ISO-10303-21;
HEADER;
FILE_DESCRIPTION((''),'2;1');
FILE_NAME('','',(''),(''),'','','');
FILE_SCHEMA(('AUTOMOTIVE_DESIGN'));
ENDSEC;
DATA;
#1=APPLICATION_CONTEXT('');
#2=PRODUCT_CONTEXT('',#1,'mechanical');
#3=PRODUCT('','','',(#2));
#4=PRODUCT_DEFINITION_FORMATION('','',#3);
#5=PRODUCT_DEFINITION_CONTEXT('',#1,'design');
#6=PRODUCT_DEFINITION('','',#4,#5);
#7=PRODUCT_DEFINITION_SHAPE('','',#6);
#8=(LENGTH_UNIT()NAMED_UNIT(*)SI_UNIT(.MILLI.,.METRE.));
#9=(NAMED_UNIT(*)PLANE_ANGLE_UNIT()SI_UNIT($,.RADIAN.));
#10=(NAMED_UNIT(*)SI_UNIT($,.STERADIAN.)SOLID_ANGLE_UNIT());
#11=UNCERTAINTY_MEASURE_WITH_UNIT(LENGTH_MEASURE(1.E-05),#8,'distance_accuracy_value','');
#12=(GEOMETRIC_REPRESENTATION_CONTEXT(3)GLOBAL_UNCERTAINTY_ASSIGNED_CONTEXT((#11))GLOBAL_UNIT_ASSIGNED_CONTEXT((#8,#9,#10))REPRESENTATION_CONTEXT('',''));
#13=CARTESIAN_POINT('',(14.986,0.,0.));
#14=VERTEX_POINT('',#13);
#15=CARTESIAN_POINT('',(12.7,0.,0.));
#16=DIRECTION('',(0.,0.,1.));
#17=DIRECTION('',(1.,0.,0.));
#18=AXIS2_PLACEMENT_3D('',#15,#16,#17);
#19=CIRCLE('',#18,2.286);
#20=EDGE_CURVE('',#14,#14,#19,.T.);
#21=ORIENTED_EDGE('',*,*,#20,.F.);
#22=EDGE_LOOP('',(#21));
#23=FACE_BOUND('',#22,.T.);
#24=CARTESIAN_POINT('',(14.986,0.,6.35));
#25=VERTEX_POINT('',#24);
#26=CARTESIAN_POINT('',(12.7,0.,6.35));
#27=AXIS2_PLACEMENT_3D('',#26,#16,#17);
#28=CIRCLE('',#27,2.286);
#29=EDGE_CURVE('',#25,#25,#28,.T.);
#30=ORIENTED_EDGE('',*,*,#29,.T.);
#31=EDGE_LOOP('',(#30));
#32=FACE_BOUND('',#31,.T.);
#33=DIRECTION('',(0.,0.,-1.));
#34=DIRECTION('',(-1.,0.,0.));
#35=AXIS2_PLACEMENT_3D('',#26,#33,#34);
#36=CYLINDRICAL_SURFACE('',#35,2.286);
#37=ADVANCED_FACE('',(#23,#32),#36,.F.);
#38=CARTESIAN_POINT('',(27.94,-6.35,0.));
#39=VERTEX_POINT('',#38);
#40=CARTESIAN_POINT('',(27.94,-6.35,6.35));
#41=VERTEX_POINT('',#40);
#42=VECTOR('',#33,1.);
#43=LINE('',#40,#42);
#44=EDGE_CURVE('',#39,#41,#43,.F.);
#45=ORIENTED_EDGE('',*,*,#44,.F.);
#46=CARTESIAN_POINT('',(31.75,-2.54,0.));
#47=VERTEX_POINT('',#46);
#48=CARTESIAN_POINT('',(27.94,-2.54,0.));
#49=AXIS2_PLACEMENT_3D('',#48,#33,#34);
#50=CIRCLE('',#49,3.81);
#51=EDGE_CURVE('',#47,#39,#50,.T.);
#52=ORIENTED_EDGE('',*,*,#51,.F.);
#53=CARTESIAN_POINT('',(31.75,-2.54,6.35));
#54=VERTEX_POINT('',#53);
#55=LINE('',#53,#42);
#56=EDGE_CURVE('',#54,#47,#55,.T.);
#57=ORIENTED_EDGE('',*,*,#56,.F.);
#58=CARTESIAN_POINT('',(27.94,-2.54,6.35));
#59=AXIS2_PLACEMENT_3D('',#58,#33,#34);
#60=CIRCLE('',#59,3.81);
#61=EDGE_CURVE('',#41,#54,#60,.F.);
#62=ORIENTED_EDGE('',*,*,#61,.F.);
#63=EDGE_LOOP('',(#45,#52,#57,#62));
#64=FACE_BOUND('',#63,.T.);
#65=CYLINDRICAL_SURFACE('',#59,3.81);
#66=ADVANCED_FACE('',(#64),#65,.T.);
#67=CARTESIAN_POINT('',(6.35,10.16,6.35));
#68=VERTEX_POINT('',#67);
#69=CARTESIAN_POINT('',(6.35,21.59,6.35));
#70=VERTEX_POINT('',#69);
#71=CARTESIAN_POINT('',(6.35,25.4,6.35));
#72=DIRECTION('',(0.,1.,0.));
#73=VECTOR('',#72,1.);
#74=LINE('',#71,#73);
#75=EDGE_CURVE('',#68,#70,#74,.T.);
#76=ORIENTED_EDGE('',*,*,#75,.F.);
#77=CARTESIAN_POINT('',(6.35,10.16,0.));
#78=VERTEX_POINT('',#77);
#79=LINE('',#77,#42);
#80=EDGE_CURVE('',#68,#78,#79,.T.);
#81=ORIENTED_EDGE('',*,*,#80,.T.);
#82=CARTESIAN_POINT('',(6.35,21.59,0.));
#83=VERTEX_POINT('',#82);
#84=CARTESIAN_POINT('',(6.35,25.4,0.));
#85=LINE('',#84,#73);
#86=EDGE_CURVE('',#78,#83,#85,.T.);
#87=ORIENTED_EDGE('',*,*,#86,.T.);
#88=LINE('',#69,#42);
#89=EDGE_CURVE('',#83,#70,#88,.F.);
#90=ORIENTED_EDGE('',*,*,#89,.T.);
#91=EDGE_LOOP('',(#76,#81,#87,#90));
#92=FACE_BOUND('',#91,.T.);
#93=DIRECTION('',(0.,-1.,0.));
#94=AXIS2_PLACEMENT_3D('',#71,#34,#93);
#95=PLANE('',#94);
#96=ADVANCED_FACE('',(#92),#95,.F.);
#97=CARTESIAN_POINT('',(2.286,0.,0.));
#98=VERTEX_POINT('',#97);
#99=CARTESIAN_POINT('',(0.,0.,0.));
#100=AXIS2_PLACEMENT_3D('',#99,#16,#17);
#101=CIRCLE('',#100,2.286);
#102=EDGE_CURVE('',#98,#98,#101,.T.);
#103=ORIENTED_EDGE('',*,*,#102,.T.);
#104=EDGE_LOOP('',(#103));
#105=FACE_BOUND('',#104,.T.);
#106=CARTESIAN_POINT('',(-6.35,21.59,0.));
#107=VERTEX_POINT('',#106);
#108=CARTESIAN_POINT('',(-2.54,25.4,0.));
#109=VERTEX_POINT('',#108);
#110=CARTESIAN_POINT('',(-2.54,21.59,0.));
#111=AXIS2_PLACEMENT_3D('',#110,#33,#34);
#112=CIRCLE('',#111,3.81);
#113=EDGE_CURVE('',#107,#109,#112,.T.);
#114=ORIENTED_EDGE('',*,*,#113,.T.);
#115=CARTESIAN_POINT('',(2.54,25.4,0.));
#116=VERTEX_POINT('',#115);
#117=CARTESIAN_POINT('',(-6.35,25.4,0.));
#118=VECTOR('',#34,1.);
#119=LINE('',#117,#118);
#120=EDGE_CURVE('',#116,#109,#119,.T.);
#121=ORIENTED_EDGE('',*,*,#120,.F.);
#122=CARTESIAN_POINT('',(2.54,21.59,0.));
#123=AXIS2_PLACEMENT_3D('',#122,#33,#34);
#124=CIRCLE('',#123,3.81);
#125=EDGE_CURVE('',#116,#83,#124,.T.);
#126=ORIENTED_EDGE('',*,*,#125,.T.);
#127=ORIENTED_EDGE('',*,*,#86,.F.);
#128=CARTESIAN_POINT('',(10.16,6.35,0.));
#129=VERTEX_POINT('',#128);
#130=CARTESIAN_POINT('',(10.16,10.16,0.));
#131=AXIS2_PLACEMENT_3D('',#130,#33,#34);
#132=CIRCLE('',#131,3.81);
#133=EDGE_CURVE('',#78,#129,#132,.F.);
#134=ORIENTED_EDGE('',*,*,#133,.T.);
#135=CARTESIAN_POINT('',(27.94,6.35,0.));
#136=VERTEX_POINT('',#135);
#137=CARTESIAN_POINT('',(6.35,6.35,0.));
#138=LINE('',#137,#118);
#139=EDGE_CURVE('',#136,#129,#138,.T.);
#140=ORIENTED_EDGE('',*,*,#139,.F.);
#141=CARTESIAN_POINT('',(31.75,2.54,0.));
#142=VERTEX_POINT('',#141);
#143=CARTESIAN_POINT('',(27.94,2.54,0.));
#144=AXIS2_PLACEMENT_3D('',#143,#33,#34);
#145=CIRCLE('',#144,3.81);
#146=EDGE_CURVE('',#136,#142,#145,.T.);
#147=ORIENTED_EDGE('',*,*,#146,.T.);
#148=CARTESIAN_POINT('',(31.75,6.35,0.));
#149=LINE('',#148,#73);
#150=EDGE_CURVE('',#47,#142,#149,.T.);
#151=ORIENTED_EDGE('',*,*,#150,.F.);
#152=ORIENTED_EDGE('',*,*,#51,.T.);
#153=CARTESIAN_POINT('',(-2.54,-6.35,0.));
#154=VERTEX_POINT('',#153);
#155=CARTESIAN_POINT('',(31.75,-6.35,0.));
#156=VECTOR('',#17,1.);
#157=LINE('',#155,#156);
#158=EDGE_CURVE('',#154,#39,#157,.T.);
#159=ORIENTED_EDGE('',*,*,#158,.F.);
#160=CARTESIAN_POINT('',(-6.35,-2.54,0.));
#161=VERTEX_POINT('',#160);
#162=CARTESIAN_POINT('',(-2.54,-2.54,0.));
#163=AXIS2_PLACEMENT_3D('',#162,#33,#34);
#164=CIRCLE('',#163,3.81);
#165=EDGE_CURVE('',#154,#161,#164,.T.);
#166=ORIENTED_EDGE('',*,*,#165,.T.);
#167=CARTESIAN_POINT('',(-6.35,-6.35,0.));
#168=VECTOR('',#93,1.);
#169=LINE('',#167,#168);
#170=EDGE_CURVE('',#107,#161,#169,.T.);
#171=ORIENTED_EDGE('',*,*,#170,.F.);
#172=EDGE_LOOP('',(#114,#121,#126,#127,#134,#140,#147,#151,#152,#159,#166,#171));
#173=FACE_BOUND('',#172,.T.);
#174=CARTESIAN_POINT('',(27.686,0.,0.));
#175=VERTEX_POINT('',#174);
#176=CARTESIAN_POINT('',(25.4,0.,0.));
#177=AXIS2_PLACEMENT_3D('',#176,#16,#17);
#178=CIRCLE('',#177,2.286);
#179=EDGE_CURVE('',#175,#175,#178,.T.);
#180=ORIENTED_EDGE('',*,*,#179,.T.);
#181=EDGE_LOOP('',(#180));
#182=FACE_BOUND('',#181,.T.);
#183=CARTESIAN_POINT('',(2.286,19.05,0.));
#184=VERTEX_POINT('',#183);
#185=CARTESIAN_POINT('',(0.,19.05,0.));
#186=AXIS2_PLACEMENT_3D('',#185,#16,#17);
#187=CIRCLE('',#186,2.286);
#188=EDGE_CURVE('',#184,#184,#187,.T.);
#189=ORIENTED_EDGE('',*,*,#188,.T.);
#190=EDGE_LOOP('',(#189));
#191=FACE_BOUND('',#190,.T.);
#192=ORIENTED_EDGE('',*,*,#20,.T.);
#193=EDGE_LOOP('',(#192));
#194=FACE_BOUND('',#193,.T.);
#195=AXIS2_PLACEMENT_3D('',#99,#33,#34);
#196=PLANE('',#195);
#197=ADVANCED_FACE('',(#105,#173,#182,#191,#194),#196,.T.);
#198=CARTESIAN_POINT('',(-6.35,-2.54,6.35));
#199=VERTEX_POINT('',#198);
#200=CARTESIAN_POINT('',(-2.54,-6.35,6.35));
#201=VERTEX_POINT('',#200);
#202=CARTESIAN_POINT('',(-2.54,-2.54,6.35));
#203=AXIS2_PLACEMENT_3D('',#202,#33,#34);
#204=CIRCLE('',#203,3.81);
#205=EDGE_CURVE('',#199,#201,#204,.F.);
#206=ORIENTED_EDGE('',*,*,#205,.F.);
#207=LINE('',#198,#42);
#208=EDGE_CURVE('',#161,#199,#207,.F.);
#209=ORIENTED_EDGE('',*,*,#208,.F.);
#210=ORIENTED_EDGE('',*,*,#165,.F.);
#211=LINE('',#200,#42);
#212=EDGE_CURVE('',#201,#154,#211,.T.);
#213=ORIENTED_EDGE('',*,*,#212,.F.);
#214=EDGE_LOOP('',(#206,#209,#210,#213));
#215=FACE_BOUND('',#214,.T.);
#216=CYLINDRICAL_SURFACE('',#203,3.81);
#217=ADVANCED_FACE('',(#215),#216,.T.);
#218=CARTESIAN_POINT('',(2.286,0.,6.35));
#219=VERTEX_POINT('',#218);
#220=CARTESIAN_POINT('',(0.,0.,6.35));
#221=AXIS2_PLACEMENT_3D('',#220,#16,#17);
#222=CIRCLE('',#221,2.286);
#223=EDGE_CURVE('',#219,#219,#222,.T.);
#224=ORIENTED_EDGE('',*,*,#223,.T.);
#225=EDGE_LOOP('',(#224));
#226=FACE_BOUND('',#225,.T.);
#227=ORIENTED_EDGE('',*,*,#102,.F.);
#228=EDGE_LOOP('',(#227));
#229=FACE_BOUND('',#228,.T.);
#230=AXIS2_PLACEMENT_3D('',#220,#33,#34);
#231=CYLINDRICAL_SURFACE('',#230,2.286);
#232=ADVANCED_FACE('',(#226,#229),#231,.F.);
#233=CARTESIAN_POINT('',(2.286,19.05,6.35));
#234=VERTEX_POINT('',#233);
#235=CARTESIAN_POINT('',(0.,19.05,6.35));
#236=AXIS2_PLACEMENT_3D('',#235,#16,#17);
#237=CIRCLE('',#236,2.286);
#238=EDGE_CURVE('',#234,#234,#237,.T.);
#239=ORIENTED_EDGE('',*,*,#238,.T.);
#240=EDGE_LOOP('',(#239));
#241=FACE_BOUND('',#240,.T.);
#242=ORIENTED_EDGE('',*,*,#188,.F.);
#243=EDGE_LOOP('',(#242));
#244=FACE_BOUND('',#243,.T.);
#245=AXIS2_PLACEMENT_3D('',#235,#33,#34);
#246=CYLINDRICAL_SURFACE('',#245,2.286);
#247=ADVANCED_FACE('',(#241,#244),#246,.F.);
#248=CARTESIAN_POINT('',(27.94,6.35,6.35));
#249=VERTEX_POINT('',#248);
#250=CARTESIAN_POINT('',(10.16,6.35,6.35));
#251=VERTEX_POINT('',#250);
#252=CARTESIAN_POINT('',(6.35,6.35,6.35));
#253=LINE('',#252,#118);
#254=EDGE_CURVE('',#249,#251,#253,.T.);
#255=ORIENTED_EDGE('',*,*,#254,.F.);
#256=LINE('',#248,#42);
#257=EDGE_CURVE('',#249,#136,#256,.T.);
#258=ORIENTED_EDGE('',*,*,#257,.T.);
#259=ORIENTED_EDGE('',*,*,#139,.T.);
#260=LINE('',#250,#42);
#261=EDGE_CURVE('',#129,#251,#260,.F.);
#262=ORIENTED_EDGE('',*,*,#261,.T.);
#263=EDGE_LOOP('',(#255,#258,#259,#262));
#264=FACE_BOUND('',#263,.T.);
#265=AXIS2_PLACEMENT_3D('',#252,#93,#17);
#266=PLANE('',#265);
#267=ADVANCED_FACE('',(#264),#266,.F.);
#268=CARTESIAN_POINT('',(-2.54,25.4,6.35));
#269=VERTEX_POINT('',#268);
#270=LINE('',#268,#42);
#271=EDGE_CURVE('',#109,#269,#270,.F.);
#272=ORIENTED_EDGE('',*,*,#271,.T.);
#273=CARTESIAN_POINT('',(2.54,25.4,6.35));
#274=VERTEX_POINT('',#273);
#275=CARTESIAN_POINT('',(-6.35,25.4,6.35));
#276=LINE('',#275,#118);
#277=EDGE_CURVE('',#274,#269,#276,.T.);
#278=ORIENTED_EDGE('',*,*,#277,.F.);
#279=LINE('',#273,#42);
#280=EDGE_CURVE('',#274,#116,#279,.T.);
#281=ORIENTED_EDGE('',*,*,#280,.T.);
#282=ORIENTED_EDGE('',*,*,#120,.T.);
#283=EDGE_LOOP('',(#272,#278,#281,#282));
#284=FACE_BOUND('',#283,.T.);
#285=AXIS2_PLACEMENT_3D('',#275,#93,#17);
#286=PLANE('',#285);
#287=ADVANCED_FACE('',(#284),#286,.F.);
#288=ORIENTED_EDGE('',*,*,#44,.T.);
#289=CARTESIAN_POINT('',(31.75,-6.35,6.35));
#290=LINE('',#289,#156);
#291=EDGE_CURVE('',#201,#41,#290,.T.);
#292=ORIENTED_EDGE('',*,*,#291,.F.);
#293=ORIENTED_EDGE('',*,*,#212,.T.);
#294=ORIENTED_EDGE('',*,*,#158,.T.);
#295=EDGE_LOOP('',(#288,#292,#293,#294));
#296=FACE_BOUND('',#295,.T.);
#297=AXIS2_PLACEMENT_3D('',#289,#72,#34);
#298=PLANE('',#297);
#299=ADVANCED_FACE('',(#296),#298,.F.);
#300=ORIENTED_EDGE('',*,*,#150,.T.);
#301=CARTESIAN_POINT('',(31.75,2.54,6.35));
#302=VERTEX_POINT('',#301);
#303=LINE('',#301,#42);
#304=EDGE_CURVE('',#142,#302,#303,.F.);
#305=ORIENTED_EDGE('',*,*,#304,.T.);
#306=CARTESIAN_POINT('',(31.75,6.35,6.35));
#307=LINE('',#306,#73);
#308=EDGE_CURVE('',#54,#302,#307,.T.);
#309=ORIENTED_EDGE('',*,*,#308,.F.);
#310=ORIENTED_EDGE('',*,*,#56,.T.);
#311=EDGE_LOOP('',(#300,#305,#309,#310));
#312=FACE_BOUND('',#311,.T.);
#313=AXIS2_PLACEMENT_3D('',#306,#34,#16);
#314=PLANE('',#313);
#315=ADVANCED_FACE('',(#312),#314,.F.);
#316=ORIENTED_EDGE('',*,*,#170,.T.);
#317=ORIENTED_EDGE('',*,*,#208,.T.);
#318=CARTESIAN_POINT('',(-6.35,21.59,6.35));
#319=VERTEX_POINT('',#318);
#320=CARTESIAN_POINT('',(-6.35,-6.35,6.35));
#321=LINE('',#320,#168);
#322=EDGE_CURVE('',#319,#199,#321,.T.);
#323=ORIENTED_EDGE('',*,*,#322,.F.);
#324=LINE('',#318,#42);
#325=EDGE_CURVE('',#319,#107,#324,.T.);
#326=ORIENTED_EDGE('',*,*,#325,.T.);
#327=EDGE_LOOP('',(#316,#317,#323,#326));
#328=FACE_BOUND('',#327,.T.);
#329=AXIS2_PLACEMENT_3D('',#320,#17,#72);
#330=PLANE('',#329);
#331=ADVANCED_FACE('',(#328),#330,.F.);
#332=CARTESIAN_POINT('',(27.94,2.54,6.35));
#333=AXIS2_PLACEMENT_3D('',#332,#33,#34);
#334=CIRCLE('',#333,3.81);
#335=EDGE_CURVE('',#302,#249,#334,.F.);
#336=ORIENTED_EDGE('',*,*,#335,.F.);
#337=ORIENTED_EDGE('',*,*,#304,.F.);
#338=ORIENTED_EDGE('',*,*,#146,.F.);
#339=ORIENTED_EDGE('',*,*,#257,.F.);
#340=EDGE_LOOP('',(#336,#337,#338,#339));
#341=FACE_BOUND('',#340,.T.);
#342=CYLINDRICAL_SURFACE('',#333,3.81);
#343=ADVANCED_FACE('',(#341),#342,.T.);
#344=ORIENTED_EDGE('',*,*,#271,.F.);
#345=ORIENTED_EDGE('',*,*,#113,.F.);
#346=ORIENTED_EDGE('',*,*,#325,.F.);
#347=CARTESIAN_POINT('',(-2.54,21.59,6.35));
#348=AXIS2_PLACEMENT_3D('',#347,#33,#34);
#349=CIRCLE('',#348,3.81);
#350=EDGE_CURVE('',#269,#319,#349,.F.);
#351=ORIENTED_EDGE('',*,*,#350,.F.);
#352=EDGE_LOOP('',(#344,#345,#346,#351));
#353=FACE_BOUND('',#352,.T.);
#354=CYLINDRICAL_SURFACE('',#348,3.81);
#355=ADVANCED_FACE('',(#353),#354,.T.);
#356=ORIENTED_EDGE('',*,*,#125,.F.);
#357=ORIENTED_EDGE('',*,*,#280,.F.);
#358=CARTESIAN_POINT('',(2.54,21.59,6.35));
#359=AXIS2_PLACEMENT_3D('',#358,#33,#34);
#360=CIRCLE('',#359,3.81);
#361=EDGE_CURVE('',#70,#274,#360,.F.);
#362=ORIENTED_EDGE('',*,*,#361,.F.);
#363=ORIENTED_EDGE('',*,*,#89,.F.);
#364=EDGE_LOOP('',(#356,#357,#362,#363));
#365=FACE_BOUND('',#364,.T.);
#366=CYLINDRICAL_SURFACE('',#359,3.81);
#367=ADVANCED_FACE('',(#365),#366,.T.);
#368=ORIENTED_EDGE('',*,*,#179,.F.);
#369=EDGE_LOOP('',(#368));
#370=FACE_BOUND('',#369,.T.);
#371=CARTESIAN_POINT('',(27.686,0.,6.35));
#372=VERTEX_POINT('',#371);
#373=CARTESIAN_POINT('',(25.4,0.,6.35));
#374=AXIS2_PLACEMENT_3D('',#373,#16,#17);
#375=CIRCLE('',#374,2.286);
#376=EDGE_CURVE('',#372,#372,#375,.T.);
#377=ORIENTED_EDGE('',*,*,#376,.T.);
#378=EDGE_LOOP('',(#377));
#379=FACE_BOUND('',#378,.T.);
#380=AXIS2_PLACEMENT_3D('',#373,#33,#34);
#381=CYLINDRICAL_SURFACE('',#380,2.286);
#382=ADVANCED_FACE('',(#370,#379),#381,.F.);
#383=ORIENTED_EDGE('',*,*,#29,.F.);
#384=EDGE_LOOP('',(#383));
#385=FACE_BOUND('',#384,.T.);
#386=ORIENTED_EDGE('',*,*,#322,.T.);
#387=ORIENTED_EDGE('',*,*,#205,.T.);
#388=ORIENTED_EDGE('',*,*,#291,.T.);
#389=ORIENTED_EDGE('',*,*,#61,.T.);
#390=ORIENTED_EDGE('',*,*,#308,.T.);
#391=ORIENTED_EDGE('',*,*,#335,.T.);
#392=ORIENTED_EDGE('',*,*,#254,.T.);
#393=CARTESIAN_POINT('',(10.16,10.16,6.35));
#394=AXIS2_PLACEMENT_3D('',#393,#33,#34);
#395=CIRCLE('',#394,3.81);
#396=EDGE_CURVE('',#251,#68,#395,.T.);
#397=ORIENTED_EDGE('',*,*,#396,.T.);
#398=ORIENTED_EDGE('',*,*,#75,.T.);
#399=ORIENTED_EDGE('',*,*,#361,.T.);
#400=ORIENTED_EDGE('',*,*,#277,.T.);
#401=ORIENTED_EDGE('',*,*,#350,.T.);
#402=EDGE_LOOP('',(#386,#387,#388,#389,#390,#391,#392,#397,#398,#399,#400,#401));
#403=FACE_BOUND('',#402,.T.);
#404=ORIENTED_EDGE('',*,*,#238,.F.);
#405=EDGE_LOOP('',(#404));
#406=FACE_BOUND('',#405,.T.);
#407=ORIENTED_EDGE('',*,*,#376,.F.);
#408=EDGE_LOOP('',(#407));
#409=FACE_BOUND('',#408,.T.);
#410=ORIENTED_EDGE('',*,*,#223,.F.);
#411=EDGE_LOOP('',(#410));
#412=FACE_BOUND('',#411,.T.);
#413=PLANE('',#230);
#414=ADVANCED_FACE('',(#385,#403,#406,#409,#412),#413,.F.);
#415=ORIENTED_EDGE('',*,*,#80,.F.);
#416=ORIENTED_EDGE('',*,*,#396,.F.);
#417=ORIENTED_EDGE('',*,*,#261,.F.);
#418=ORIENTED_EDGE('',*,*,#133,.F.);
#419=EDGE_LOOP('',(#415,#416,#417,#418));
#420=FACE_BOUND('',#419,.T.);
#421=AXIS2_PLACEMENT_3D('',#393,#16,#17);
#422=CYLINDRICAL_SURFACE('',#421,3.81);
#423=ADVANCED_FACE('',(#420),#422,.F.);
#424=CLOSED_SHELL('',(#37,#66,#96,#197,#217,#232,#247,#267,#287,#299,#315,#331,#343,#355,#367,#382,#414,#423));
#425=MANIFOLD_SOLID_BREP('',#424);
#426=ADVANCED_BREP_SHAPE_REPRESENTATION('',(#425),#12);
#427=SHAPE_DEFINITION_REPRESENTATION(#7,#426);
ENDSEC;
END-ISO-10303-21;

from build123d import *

# Parameters (mm, degrees)
SKETCH1_R           = 2.286
BOSS_EXTRUDE1_DEPTH = 6.35
FILLET1_R           = 3.81


with BuildPart() as part:
    # Sketch1 → Boss-Extrude1 (new body)
    with BuildSketch(Plane.XY):
        Polygon((-6.35, -6.35), (-6.35, 25.4), (6.35, 25.4), (6.35, 6.35), (31.75, 6.35), (31.75, -6.35), align=None)
        Circle(SKETCH1_R, mode=Mode.SUBTRACT)
        with Locations((12.7, 0)):
            Circle(SKETCH1_R, mode=Mode.SUBTRACT)
        with Locations((25.4, 0)):
            Circle(SKETCH1_R, mode=Mode.SUBTRACT)
        with Locations((0, 19.05)):
            Circle(SKETCH1_R, mode=Mode.SUBTRACT)
    extrude(amount=BOSS_EXTRUDE1_DEPTH)

    # Fillet1
    fillet1_edges = [part.edges().sort_by_distance(p)[0] for p in [
        (-6.35, -6.35, 3.175),
        (-6.35, 25.4, 3.175),
        (6.35, 25.4, 3.175),
        (6.35, 6.35, 3.175),
        (31.75, 6.35, 3.175),
        (31.75, -6.35, 3.175),
    ]]
    fillet(fillet1_edges, radius=FILLET1_R)


solid = part.part
